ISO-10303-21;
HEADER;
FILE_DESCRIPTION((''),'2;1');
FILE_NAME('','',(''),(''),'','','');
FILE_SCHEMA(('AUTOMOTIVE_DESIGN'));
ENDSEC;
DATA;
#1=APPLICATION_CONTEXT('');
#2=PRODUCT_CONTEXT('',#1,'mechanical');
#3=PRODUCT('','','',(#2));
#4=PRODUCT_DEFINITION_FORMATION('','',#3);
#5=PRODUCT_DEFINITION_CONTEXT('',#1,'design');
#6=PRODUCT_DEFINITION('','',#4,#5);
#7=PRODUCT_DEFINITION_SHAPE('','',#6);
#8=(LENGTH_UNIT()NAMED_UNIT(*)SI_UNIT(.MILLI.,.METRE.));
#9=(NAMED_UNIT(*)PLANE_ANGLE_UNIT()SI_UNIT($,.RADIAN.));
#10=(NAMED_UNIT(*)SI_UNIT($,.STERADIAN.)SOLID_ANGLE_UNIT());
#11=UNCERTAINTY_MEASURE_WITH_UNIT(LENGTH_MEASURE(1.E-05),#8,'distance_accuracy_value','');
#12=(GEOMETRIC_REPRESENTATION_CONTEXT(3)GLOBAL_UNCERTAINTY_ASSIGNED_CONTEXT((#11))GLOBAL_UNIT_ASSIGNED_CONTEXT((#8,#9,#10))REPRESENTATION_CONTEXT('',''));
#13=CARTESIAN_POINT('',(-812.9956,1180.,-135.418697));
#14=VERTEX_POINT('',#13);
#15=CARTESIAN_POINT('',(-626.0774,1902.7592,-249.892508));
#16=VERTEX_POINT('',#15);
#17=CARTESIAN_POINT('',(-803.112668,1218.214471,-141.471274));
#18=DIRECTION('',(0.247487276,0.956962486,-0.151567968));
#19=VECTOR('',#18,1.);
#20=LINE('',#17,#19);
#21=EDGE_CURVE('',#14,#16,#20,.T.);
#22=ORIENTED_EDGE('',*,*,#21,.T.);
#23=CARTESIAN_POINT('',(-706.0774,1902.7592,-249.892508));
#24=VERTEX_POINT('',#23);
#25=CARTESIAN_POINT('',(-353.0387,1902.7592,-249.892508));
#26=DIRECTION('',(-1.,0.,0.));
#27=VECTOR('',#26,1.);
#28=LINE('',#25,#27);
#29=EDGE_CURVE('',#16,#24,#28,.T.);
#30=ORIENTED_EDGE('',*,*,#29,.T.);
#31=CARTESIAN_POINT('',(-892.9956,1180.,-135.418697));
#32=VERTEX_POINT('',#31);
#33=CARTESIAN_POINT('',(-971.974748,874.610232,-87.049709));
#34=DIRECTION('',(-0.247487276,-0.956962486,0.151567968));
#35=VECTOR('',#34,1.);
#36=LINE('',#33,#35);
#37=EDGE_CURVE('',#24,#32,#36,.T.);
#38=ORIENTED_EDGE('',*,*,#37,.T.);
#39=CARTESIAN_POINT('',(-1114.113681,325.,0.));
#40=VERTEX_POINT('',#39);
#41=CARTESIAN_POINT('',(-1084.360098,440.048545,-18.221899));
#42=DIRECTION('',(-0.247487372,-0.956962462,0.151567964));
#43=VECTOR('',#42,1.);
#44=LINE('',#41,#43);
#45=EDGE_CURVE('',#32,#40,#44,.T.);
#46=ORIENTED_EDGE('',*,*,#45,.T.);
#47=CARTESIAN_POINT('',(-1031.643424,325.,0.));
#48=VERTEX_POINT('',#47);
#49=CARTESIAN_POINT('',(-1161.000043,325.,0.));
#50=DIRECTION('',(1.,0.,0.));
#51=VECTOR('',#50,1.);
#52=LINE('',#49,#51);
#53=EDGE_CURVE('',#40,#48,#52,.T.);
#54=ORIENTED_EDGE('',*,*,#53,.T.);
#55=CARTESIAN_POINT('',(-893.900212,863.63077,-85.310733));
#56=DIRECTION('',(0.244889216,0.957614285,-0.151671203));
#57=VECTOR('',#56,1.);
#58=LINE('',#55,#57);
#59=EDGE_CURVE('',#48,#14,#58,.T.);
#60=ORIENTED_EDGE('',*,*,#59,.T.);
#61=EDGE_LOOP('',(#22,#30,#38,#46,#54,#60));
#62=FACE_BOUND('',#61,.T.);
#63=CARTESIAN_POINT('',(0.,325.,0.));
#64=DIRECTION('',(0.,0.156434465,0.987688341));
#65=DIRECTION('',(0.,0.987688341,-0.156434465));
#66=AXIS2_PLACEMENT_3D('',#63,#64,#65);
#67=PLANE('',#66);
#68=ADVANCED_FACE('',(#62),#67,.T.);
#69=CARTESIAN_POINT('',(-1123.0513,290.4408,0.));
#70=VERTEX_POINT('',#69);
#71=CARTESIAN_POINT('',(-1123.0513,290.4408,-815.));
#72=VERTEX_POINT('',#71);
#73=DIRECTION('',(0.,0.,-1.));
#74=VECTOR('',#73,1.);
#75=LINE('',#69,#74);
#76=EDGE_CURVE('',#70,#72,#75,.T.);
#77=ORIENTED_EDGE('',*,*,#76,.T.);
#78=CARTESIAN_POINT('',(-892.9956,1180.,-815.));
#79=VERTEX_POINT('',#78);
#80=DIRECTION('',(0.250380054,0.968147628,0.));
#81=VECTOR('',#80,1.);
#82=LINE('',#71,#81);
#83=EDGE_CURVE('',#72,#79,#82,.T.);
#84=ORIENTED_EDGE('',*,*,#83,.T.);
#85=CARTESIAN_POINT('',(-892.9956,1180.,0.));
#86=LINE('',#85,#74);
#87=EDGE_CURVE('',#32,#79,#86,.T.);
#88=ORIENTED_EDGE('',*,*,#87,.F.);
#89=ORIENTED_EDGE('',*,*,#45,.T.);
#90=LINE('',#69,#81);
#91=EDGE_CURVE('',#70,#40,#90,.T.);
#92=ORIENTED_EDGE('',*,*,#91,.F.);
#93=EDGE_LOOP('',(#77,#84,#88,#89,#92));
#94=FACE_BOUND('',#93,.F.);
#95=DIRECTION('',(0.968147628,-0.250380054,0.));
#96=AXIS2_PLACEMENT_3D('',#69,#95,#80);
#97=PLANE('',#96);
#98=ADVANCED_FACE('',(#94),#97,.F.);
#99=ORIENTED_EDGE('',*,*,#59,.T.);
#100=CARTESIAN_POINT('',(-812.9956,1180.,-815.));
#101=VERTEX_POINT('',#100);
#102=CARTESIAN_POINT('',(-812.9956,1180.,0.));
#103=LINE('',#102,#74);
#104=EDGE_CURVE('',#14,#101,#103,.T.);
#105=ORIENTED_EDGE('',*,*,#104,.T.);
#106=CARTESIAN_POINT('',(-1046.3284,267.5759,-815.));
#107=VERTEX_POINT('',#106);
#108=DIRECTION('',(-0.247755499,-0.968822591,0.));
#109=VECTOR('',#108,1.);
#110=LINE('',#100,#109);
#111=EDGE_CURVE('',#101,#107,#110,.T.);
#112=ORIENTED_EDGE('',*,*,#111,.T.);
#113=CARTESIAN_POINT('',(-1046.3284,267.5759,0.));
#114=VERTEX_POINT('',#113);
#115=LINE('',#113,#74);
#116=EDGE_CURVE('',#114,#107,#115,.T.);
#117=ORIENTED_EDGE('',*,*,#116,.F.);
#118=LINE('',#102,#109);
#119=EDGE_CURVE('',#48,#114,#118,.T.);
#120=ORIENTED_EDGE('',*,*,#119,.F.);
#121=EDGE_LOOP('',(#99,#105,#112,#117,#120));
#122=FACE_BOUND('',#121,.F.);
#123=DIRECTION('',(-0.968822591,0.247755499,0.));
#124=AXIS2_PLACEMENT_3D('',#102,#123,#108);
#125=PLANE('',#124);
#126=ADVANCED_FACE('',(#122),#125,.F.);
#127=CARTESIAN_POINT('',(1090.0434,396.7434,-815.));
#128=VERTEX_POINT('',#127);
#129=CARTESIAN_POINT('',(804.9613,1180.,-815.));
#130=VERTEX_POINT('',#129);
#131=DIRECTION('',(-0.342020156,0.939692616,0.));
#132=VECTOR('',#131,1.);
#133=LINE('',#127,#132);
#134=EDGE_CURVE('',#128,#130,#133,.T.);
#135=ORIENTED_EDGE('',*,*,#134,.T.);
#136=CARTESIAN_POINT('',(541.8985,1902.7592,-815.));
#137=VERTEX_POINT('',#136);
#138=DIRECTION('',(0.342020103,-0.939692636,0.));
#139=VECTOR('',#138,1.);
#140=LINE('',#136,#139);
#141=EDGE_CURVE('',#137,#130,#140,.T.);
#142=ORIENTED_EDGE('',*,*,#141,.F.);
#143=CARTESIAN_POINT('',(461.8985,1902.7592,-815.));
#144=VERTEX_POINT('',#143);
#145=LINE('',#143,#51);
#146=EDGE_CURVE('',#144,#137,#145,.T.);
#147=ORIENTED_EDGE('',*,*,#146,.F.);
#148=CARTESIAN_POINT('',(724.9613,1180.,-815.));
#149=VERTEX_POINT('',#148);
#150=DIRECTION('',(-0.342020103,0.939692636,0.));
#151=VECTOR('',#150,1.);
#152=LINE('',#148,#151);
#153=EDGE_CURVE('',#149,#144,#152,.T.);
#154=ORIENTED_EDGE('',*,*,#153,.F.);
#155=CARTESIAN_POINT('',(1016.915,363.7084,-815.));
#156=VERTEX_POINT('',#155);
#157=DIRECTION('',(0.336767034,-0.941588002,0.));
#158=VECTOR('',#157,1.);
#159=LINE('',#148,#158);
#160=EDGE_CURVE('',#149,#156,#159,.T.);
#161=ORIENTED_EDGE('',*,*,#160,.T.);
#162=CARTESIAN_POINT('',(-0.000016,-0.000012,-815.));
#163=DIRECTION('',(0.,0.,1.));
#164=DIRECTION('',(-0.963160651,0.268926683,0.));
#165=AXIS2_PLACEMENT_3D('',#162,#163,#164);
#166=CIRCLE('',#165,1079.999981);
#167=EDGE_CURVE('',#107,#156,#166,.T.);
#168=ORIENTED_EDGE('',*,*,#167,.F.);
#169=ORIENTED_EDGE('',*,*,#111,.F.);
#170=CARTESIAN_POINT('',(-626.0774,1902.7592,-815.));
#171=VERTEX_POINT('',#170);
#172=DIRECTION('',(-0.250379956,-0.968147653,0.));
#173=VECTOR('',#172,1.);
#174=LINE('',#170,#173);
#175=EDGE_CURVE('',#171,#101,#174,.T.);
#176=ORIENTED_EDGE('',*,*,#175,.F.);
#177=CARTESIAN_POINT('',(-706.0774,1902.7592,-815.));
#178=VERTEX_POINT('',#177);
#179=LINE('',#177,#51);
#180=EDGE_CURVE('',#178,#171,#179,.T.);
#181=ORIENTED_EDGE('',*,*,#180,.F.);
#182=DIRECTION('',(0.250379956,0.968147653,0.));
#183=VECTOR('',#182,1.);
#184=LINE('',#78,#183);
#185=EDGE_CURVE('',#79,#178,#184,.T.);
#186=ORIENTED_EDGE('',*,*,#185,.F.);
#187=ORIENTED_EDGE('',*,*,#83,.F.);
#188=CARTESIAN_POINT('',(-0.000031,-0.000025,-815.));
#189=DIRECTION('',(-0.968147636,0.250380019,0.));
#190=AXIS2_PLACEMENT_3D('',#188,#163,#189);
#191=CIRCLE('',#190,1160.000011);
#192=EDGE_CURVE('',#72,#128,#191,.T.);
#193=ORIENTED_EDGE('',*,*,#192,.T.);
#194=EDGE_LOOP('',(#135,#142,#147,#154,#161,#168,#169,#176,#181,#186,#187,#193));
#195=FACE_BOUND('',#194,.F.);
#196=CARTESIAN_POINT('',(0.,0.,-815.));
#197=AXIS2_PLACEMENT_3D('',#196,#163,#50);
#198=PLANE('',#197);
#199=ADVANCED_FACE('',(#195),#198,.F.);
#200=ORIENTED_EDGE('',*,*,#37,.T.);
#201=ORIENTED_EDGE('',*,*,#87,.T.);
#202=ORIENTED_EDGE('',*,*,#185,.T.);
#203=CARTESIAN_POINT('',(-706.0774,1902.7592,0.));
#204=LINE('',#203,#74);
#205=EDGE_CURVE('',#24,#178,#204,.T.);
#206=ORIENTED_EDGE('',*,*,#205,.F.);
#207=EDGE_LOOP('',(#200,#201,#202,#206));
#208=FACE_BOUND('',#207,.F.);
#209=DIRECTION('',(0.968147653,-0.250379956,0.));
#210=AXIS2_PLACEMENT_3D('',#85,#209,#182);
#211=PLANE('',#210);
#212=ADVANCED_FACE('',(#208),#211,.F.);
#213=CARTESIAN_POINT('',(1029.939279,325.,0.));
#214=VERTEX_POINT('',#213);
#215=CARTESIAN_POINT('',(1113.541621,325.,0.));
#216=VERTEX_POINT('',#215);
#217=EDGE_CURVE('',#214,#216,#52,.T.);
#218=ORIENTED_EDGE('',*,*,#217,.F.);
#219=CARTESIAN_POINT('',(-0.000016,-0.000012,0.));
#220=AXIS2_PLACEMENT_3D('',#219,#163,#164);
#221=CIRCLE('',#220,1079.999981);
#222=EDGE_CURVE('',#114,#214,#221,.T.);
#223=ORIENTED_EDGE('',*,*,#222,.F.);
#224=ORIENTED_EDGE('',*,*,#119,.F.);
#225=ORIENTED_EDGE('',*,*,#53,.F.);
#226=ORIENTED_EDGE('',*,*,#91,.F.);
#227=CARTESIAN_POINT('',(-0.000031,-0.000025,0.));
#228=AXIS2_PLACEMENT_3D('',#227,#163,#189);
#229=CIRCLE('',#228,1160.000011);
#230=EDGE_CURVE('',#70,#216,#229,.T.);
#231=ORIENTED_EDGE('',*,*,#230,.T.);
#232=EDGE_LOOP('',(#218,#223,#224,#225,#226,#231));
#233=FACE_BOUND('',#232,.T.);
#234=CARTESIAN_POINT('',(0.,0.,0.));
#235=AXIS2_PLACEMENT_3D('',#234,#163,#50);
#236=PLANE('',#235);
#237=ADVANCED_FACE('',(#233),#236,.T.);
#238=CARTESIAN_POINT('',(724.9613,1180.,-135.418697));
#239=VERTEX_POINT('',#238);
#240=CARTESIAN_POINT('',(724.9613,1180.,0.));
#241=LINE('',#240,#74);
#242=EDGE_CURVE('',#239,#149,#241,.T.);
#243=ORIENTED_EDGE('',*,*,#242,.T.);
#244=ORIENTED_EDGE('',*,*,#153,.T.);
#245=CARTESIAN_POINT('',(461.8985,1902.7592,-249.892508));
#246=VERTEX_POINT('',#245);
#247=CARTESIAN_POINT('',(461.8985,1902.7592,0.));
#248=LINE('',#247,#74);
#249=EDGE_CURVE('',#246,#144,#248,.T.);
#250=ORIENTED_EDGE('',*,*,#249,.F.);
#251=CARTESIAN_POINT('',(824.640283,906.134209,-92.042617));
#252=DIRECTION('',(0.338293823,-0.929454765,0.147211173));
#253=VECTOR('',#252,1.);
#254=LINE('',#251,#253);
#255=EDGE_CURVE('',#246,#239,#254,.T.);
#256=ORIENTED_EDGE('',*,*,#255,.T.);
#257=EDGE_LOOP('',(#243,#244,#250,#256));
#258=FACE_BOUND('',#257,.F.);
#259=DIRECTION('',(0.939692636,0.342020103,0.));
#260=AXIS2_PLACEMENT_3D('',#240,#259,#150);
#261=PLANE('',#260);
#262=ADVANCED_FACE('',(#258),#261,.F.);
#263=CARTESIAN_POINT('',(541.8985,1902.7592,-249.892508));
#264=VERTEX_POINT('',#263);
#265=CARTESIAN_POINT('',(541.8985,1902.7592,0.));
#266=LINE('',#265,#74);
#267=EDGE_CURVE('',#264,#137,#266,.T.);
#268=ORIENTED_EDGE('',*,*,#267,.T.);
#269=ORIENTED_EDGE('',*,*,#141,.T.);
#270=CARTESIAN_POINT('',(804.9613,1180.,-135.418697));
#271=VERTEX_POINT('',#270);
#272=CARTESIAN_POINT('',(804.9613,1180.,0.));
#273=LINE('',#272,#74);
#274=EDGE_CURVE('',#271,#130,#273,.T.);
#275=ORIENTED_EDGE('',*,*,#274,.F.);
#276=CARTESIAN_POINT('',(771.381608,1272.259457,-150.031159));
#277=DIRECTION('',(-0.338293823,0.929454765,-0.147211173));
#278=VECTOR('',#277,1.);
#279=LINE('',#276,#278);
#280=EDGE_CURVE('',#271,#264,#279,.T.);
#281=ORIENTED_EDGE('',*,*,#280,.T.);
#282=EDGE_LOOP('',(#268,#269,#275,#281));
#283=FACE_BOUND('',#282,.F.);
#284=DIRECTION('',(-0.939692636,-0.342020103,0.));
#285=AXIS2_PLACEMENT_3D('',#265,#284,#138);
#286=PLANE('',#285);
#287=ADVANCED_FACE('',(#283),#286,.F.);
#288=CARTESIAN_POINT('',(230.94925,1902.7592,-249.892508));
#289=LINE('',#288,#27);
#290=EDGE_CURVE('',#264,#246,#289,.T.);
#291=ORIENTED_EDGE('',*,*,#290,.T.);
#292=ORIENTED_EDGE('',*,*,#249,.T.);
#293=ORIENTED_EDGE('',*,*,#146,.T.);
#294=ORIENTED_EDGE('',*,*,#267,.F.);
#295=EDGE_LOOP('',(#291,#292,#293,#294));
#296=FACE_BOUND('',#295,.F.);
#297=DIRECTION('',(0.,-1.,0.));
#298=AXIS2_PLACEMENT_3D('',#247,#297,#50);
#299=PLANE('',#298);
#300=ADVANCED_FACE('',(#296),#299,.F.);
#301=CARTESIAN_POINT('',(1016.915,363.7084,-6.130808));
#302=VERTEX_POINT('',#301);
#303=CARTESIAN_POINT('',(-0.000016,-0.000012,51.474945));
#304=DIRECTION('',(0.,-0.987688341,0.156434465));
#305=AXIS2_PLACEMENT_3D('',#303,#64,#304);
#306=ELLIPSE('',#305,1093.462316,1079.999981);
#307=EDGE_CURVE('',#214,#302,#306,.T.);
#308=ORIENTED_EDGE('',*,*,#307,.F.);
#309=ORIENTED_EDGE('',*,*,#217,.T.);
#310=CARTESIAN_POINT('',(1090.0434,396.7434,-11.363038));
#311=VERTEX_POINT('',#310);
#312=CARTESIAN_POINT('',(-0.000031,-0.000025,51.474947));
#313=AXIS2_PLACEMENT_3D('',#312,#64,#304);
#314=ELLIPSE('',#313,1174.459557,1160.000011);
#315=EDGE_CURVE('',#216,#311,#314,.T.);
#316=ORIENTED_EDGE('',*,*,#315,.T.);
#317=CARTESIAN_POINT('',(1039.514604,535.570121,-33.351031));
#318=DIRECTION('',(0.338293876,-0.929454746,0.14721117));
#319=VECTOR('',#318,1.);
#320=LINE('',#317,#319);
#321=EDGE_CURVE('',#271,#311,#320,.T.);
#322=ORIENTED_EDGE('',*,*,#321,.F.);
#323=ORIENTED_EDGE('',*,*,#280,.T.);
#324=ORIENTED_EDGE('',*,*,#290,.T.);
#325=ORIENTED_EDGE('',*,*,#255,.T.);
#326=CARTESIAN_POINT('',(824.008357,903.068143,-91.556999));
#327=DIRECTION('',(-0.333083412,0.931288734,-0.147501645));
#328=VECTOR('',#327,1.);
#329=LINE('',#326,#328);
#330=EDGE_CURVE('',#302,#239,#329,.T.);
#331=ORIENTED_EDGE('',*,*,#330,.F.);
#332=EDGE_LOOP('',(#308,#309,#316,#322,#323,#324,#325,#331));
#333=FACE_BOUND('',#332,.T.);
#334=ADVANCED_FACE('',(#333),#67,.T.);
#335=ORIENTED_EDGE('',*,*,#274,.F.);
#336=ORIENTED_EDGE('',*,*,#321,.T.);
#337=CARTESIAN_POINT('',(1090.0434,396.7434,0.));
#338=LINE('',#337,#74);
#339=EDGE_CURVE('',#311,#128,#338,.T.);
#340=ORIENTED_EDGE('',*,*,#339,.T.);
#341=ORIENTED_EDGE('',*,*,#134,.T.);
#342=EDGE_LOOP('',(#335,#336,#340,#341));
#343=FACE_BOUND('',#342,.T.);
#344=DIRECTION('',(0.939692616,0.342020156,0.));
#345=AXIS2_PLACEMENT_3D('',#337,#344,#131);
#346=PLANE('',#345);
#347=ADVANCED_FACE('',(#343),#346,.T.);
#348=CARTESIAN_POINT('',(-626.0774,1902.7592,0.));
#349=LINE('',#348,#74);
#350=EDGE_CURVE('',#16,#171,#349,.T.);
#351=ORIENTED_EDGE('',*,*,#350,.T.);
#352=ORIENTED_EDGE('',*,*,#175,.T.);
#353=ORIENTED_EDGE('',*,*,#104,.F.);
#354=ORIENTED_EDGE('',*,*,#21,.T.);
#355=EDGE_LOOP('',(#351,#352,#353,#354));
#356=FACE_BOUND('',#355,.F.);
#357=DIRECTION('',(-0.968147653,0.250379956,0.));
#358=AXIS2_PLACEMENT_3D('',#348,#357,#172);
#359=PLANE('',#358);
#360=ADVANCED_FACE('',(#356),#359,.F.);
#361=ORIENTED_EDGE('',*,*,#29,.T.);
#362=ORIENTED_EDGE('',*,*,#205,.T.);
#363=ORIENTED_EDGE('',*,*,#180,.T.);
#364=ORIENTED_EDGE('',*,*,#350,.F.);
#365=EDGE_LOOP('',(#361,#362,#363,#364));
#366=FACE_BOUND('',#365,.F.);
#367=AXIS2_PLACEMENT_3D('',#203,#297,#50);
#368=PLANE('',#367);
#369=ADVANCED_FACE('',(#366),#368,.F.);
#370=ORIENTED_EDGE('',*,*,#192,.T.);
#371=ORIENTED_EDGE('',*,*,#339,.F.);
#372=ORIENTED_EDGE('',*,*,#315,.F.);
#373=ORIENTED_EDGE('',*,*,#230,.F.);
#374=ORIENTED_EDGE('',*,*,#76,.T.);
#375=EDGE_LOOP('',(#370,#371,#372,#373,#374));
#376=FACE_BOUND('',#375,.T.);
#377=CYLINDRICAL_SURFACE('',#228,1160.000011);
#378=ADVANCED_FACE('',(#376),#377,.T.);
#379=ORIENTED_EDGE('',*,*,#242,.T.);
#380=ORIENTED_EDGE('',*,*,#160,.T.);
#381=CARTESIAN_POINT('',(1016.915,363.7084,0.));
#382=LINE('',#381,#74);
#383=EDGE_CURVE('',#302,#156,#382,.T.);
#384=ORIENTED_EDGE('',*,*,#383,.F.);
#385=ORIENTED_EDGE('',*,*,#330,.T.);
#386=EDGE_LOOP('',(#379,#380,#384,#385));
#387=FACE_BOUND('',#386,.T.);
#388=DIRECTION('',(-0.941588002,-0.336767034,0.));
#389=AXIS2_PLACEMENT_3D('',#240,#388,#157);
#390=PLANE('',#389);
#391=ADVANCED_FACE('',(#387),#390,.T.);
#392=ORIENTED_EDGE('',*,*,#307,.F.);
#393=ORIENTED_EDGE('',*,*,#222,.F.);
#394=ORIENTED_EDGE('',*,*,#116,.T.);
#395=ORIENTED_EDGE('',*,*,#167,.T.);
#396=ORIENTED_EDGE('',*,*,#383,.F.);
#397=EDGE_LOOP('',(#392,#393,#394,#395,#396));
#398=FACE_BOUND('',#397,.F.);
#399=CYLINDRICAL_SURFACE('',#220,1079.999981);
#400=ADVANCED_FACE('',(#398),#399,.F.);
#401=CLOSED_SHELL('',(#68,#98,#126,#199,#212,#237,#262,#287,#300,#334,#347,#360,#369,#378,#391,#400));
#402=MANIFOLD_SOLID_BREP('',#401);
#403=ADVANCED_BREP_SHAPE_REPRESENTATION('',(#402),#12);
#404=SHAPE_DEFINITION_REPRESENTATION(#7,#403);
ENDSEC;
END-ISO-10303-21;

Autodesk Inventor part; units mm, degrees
ref_plane "YZ Plane" through (0, 0, 0) normal (1, 0, 0) x (0, 1, 0)
ref_plane "XZ Plane" through (0, 0, 0) normal (0, 1, 0) x (-1, 0, 0)
ref_plane "XY Plane" through (0, 0, 0) normal (0, 0, 1) x (1, 0, 0)
sketch "Sketch1" plane through (0, 0, 0) normal (0, 0, 1) x (1, 0, 0)
  arc A0 (-1040.2135, 290.4408) -> (1016.915, 363.7084) centre (0, 0) ccw
  arc A1 (-1123.0513, 290.4408) -> (1090.0434, 396.7434) centre (0, 0) ccw
  line L0 (-1123.0513, 290.4408) -> (-892.9956, 1180)
  line L1 (-1123.0513, 290.4408) -> (-204.2253, 290.4408) construction
  line L2 (1090.0434, 396.7434) -> (804.9613, 1180)
  line L3 (1090.0434, 396.7434) -> (1923.5677, 396.7434) construction
  line L4 (0, 0) -> (0, 1180) construction
  line L5 (0, 1180) -> (1900.8085, 1180) construction
  line L6 (1900.8085, 1180) -> (-2124.9709, 1180) construction
  line L7 (804.9613, 1180) -> (724.9613, 1180) construction
  line L8 (804.9613, 1180) -> (724.9613, 1180)
  line L9 (724.9613, 1180) -> (1016.915, 363.7084)
  line L10 (-892.9956, 1180) -> (-812.9956, 1180)
  line L11 (-812.9956, 1180) -> (-1046.3284, 267.5759)
  line L12 (-892.9956, 1180) -> (-706.0774, 1902.7592)
  line L13 (-706.0774, 1902.7592) -> (-626.0774, 1902.7592)
  line L14 (-626.0774, 1902.7592) -> (-812.9956, 1180)
  line L15 (724.9613, 1180) -> (461.8985, 1902.7592)
  line L16 (461.8985, 1902.7592) -> (541.8985, 1902.7592)
  line L17 (541.8985, 1902.7592) -> (804.9613, 1180)
  dimension "d1" = 2160
  dimension "d2" = 2320
  dimension "d4" = 80
  dimension "d5" = 75.5
  dimension "d6" = 110
  dimension "d7" = 1180
  dimension "d8" = 80
  dimension "d9" = 80
extrude "Extrusion1" add sketch "Sketch1" against normal blind 815
ref_plane "Work Plane1" through (0, 0, 0) normal (1, 0, 0) x (0, 1, 0)
sketch "Sketch2" plane through (0, 0, 0) normal (1, 0, 0) x (0, 1, 0)
  line L0 (0, 0) -> (325, 0) construction
  line L1 (396.7434, 0) -> (-1160, 0) construction
  line L2 (325, 0) -> (325, -815) construction
  line L3 (-1160, -815) -> (396.7434, -815) construction
  line L4 (325, 0) -> (2190.7363, -295.5036)
  line L5 (325, 0) -> (2213.9929, 0) construction
  line L6 (2190.7363, -295.5036) -> (2190.7363, 0)
  line L7 (1902.7592, 0) -> (1902.7592, -815) projected
  line L8 (2190.7363, 0) -> (325, 0)
  line L9 (0, -815) -> (0, -430) construction
  line L10 (0, -430) -> (1180, -430) construction
  line L11 (1180, -430) -> (2009.1519, -357.4586) construction
  line L12 (1180, -430) -> (1334.4102, -416.4909) construction
  arc A0 (1180, -416.4909) -> (1180, -430) centre (1257.2051, -423.2454) ccw
  line L13 (1334.4102, -416.4909) -> (1425.0777, -416.4909) construction
  circle A1 centre (1180, -430) radius 155
  line L14 (1325.1842, -375.7179) -> (1238.8234, -144.7354)
  line L15 (1325.1842, -375.7179) -> (1634.9707, -375.7179) construction
  line L16 (1332.4045, -458.2465) -> (1285.7448, -710)
  line L17 (1332.4045, -458.2465) -> (1864.0398, -458.2465) construction
  line L18 (0, -815) -> (0, -710) construction
  line L19 (0, -710) -> (1902.7592, -710) construction
  point P0 (290.4408, 0)
  point P1 (290.4408, -815)
  dimension "d13" = 325
  dimension "d14" = 9
  dimension "d17" = 385
  dimension "d18" = 1180
  dimension "d19" = 175
  dimension "d20" = 155
  dimension "d22" = 110.5
  dimension "d23" = 100.5
  dimension "d24" = 105
extrude "Extrusion2" cut sketch "Sketch2" along normal through all both and the other way through all contours L8 L7 L4 | L8 L6 L4 L7
